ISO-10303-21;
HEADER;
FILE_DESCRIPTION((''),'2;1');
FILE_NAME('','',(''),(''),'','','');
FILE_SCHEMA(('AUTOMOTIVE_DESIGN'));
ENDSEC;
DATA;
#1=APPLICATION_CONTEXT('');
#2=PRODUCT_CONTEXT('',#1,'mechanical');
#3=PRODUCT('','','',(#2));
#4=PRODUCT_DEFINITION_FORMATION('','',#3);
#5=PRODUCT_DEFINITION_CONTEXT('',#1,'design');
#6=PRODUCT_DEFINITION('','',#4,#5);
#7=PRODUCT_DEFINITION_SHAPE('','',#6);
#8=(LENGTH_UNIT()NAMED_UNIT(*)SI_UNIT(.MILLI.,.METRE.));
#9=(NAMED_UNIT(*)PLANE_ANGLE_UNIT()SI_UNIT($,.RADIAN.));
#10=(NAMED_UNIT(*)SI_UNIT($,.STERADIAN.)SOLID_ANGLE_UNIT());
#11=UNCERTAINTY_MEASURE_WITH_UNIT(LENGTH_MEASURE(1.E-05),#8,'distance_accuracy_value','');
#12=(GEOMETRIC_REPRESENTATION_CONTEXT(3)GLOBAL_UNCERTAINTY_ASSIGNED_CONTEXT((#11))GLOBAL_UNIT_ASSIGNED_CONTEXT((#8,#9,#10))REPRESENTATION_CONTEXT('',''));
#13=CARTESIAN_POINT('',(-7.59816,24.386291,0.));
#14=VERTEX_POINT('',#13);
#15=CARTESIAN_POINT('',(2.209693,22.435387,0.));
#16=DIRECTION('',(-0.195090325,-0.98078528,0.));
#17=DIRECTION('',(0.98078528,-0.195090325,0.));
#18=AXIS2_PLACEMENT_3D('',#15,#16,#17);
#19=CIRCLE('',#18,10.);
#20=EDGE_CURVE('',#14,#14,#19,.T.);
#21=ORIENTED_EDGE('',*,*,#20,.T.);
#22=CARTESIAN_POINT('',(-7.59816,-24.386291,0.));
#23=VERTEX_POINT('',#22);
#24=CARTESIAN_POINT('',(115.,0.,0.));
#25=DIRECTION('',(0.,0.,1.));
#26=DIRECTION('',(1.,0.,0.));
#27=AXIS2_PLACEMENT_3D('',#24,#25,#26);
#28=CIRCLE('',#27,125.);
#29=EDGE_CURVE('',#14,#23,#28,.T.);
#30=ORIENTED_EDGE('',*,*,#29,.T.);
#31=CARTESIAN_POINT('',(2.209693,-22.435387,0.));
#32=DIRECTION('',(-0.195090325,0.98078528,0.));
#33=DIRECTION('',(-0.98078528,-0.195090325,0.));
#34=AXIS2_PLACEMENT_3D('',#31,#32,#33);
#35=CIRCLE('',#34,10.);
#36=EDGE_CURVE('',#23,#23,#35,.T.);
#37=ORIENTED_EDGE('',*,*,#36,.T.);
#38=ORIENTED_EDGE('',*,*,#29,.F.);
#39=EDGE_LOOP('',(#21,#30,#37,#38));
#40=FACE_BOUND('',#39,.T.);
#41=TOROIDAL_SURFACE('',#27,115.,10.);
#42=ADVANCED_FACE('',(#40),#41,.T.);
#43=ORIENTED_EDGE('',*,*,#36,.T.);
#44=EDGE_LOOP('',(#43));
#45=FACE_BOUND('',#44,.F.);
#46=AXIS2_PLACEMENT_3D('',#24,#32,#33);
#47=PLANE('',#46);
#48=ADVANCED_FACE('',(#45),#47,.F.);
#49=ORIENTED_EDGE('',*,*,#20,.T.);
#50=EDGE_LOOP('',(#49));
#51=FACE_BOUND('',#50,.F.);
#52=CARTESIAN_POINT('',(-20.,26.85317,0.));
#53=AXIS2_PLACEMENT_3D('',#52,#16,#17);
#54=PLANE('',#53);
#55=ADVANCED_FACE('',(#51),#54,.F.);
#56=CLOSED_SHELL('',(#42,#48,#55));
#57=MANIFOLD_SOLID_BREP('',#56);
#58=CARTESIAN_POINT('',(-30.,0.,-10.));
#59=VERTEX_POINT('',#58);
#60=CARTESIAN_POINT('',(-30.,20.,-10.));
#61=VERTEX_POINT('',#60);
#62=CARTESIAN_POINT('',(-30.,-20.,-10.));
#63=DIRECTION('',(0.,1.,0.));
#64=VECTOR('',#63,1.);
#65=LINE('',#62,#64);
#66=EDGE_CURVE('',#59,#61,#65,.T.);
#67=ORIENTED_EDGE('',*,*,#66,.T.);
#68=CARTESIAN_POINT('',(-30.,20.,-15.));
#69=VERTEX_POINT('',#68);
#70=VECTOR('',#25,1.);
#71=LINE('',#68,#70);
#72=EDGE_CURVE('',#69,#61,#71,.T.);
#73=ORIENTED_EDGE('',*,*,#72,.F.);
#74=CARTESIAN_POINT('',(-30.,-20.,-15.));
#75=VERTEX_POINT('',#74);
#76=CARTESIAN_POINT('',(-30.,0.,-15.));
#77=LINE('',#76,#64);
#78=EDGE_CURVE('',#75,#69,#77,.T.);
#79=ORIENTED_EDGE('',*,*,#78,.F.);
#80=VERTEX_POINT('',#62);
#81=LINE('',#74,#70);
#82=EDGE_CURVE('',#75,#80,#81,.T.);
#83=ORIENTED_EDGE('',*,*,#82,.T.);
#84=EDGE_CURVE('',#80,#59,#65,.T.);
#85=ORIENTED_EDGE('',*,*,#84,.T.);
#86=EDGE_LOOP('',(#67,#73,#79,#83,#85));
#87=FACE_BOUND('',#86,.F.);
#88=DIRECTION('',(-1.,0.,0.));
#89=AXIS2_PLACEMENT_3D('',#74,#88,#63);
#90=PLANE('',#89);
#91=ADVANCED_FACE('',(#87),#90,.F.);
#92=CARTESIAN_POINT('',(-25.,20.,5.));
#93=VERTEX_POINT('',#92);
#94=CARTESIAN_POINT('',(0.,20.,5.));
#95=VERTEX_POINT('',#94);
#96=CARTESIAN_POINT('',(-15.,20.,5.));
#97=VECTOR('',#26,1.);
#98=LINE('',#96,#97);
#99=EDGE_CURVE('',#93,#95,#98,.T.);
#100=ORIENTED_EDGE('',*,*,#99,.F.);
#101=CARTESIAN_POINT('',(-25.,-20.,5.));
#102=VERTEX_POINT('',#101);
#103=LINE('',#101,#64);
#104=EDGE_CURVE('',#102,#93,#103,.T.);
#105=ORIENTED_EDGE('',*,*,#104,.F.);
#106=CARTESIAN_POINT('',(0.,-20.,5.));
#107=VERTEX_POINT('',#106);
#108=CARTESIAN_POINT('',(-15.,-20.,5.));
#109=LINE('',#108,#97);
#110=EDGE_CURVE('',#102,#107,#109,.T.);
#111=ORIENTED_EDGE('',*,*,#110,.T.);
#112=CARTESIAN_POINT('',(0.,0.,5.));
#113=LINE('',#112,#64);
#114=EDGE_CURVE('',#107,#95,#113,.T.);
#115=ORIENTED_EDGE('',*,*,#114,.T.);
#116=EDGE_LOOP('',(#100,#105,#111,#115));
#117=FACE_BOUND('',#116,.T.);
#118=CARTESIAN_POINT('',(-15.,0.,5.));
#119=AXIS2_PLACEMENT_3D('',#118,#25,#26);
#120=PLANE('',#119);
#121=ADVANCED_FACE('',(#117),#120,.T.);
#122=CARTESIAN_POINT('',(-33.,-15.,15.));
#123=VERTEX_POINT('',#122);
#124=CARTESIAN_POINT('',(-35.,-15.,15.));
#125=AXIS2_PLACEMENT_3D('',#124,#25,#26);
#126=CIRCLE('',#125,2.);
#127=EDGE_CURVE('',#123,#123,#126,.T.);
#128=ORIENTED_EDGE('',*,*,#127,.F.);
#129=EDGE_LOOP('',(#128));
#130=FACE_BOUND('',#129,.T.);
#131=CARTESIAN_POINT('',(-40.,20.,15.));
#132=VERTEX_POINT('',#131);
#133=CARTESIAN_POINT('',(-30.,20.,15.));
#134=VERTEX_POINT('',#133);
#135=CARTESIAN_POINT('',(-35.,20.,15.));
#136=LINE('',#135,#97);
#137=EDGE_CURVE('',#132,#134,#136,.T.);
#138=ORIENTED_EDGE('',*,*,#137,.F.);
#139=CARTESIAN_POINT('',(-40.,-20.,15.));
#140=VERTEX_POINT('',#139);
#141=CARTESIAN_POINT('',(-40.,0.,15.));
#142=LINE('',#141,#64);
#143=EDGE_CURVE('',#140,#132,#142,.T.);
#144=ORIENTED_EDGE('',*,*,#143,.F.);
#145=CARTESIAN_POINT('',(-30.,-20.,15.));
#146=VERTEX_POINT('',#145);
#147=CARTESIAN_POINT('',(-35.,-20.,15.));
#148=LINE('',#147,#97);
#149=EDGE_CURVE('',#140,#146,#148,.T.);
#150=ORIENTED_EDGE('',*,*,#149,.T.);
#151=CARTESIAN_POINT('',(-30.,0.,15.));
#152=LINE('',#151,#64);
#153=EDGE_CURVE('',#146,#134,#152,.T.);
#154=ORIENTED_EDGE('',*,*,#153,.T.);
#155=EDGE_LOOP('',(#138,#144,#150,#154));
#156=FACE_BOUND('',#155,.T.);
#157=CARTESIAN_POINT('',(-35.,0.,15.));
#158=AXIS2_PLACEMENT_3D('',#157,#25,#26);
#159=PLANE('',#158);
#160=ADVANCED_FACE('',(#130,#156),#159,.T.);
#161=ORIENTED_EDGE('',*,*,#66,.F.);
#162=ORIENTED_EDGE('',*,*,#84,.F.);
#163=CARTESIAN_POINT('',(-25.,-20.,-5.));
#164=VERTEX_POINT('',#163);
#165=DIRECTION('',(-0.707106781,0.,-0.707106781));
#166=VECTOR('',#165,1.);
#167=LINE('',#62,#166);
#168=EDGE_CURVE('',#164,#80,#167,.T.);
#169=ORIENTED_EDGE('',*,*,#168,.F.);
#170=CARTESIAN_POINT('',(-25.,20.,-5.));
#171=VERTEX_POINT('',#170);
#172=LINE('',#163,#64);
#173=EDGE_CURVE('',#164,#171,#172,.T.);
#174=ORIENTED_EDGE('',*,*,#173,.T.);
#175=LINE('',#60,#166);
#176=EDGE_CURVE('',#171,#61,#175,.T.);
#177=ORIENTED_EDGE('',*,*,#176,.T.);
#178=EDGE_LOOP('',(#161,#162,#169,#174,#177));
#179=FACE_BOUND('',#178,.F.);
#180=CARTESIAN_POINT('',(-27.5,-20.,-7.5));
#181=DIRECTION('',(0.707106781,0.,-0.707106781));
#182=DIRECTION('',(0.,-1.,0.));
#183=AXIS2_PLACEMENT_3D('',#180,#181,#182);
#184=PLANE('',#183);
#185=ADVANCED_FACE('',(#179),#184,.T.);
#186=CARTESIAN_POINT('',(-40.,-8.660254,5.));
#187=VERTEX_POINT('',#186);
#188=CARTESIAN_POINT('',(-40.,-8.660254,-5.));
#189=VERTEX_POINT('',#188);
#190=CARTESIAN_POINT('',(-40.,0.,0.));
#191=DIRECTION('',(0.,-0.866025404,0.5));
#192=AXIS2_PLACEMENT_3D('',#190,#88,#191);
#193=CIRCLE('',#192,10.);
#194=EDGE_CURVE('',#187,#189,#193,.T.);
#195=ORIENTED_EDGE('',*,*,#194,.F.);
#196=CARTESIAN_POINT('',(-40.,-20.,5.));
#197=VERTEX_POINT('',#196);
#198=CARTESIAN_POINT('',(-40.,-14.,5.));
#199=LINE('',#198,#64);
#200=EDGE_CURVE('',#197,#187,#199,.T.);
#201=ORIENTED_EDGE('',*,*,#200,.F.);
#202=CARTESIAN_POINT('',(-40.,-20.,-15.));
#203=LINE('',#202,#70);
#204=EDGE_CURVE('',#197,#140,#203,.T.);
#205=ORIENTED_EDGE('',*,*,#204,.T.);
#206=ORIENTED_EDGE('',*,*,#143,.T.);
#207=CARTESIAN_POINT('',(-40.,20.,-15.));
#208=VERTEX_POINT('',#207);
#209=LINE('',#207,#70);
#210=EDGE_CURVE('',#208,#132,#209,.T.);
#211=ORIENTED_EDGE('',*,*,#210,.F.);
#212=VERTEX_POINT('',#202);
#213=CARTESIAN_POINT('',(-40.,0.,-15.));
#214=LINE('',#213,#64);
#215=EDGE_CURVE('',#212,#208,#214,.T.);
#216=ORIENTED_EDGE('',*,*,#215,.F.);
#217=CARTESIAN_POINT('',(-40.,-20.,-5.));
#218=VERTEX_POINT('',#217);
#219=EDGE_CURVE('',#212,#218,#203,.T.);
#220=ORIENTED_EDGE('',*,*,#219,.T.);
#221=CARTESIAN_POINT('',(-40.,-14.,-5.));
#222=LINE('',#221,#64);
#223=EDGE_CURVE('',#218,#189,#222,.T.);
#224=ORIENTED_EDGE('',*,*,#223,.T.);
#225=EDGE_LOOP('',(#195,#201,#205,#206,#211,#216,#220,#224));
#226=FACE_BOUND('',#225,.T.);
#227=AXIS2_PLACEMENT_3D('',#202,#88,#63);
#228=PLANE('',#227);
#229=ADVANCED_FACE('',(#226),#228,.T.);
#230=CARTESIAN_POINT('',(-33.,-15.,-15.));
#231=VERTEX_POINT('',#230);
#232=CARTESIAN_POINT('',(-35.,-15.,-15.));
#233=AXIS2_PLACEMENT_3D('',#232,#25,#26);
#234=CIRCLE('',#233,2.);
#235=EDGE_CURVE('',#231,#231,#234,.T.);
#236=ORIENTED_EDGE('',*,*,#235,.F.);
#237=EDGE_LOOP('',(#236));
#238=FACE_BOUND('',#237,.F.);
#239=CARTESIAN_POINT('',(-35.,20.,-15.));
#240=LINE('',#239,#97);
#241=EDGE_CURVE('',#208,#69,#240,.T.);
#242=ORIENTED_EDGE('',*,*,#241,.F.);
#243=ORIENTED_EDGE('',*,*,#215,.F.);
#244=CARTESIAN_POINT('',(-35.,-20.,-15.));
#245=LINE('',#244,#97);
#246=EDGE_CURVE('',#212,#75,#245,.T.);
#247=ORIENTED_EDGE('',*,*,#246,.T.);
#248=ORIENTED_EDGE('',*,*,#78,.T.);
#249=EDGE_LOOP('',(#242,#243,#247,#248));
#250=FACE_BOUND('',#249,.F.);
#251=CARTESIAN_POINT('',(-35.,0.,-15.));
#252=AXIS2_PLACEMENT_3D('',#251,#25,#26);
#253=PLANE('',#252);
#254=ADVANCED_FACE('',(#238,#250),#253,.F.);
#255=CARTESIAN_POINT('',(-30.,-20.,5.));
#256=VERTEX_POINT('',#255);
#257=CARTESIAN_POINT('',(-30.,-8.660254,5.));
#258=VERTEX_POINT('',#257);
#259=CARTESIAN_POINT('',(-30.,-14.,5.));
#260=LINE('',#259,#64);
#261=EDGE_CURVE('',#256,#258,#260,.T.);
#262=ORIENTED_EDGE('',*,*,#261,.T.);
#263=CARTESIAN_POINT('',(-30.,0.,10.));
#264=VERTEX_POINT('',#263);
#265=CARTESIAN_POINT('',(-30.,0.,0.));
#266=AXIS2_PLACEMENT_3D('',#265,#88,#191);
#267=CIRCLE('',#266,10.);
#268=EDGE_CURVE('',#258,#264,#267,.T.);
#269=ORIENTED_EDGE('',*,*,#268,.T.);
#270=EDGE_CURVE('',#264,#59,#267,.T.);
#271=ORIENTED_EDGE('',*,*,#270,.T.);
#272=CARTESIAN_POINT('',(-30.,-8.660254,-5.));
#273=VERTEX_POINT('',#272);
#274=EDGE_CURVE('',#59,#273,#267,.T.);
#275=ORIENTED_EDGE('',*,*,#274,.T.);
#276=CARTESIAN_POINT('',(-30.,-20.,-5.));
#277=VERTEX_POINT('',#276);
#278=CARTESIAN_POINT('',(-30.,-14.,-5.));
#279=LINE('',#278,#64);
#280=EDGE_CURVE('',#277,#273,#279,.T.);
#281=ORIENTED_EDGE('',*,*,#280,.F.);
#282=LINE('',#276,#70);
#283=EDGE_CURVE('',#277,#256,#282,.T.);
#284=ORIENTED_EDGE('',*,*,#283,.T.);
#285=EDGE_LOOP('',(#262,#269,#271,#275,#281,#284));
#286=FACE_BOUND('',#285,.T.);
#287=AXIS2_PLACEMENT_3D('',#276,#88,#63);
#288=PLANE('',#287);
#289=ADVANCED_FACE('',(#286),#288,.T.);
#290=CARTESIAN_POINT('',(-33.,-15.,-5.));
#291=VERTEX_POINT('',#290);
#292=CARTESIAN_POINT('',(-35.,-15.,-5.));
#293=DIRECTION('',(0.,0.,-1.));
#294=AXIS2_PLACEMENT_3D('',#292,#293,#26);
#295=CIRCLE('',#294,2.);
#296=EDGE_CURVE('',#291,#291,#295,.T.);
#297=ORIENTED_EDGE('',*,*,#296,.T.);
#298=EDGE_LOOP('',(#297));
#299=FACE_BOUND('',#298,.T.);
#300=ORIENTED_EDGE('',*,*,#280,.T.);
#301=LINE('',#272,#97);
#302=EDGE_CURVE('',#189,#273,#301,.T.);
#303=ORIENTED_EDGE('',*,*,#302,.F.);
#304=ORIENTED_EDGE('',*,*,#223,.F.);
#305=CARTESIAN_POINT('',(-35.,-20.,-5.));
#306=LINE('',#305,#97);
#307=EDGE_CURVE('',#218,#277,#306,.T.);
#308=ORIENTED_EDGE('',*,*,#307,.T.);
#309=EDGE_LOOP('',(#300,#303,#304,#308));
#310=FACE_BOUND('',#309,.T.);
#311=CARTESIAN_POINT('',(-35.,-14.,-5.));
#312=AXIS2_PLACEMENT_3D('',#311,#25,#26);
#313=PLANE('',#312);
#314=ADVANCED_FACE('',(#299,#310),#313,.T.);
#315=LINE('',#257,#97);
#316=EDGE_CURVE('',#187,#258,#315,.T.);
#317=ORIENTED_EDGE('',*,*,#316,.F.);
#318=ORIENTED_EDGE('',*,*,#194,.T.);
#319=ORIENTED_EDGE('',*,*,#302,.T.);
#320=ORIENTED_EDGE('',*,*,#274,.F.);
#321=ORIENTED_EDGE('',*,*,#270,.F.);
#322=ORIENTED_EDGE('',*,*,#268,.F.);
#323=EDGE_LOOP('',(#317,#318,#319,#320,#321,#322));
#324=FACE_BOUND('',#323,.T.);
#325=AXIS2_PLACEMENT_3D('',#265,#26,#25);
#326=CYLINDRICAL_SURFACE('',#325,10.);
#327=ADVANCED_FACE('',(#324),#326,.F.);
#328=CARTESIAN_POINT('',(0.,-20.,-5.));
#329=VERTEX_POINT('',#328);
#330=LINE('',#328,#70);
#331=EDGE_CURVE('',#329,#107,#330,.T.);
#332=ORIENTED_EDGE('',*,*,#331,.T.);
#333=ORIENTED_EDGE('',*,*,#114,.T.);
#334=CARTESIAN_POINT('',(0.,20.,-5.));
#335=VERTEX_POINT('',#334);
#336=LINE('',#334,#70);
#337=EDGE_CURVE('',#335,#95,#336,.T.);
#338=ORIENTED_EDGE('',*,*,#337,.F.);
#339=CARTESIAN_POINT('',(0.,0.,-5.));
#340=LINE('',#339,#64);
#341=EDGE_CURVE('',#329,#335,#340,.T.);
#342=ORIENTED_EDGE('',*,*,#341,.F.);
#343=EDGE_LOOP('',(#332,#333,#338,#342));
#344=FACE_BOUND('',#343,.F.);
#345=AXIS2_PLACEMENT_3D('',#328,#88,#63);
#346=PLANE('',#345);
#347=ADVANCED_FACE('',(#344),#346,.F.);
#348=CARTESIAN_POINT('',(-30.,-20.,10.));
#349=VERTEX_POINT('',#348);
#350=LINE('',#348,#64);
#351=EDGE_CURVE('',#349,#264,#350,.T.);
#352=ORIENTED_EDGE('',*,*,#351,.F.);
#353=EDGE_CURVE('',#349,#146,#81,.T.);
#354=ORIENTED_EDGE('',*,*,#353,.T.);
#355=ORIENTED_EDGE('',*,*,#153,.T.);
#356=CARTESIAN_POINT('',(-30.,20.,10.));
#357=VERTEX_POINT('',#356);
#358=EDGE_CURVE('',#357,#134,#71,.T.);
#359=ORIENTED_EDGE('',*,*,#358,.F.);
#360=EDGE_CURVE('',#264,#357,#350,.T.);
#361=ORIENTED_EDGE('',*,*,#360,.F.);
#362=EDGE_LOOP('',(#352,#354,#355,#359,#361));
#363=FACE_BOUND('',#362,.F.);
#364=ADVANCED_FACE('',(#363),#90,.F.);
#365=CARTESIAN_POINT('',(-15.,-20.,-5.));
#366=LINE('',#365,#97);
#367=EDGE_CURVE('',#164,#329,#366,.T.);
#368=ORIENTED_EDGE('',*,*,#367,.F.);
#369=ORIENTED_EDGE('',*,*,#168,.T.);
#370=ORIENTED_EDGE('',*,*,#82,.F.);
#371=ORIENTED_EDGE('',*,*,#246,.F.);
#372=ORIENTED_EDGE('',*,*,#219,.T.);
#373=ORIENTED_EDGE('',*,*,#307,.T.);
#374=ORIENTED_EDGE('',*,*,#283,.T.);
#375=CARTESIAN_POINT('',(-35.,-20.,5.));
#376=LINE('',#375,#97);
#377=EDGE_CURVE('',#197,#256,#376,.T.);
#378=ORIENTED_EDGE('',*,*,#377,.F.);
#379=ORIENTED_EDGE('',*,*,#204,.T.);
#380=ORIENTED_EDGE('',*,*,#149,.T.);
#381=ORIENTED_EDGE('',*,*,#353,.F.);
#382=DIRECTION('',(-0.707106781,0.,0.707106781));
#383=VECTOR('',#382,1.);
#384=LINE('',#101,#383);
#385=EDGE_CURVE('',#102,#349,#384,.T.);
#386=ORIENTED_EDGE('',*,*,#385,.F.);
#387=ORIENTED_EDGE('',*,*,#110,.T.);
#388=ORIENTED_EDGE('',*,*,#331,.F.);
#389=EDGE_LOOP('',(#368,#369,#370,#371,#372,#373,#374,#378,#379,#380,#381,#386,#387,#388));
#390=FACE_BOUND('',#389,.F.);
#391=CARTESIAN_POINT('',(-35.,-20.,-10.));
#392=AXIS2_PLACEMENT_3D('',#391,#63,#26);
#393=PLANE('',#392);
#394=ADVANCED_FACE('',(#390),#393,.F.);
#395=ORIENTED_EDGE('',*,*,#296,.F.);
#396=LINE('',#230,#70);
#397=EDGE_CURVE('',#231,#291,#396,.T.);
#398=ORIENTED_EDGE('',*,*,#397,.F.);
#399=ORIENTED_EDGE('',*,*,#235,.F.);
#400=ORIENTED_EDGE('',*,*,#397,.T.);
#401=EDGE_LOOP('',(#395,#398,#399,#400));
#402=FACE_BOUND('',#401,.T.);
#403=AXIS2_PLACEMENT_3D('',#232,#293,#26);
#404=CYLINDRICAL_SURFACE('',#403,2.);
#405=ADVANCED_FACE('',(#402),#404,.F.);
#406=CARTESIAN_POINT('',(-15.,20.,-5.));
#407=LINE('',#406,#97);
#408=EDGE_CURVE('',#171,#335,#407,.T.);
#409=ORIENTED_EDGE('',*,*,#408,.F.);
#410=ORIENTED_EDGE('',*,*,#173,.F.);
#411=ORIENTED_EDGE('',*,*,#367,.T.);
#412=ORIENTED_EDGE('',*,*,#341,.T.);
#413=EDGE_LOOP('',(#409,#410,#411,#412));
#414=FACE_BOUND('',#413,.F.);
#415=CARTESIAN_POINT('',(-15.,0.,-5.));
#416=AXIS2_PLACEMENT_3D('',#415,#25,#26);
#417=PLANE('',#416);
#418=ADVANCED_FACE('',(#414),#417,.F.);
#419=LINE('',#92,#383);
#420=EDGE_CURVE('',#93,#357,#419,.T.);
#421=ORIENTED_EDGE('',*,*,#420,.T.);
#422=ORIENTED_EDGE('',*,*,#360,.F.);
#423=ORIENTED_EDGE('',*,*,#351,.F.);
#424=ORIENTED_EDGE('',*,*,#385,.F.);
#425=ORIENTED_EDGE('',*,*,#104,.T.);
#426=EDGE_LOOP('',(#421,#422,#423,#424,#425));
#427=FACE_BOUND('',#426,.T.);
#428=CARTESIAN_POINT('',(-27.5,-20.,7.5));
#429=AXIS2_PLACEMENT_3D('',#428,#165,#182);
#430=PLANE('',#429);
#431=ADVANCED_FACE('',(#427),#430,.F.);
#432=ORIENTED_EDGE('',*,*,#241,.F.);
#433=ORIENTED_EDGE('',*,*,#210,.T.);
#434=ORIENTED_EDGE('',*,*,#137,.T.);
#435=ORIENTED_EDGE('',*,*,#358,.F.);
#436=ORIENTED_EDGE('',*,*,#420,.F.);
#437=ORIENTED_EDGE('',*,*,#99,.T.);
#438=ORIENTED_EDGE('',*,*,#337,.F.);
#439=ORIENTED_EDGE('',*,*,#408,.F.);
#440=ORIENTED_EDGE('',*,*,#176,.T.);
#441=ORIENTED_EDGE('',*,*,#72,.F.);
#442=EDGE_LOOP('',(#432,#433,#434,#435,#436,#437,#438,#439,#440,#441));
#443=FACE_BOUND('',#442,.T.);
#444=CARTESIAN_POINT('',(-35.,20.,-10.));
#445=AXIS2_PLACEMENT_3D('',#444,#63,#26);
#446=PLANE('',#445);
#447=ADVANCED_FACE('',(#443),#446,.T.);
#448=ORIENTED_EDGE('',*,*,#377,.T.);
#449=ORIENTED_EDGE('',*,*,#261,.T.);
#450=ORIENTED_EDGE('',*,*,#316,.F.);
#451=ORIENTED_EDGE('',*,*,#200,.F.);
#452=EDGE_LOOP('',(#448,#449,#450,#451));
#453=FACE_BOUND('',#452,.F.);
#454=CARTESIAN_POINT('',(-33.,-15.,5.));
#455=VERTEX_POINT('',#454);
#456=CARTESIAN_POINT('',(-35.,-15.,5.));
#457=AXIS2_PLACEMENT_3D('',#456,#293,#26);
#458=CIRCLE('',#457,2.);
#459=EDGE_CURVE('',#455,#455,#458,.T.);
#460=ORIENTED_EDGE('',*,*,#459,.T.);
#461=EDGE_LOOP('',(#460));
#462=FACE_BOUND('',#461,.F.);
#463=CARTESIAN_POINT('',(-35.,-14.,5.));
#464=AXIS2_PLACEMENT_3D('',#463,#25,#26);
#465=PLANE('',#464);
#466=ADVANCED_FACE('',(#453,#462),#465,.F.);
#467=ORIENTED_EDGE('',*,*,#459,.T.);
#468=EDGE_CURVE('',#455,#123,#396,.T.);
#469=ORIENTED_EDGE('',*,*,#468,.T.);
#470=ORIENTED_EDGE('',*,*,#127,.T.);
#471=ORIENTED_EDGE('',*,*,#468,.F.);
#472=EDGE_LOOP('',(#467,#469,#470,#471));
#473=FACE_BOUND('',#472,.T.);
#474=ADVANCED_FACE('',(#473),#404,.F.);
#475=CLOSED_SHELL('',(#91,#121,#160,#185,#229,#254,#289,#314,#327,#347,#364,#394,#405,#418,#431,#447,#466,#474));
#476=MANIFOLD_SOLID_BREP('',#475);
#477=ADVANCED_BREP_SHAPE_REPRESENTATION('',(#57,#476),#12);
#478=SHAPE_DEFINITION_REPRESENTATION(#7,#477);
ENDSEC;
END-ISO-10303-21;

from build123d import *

# Parameters (mm, degrees)
PAD_DEPTH            = 15
PAD_DEPTH_BACK       = 15
TORUS_R              = 10
CYLINDER001_R        = 2
CYLINDER001_DEPTH    = 30
BOX002_W             = 10
BOX002_H             = 12
BOX002_DEPTH         = 10
CYLINDER_R           = 10
CYLINDER_DEPTH       = 10
CYLINDER_PITCH_ANGLE = -90
BOX_W                = 10
BOX_H                = 40
BOX_DEPTH            = 30
BOX003_W             = 10
BOX003_H             = 40
BOX003_DEPTH         = 20
CHAMFER_SIZE         = 5
BOX001_W             = 30
BOX001_H             = 40
BOX001_DEPTH         = 10


with BuildPart() as body:
    # Sketch → Pad (new body, two sides)
    with BuildSketch(Plane.XY) as pad_sk:
        Polygon((-20, 26.85317), (115, 0), (-20, -26.85317), align=None)
    extrude(amount=PAD_DEPTH)
    extrude(pad_sk.sketch, amount=-PAD_DEPTH_BACK)


with BuildPart() as rail_common:
    # Torus → Torus (revolve)
    with BuildSketch(Plane(origin=(115, 0, 0), x_dir=(1, 0, 0), z_dir=(0, -1, 0))):
        with Locations((115, 0)):
            Circle(TORUS_R)
    revolve(axis=Axis((115, 0, 0), (0, 0, 1)))

    # Common: intersect Body
    add(body.part, mode=Mode.INTERSECT)


with BuildPart() as cylinder001:
    # Cylinder001 → Cylinder001 (new body)
    with BuildSketch(Plane(origin=(-35, -15, -15), x_dir=(1, 0, 0), z_dir=(0, 0, 1))):
        Circle(CYLINDER001_R)
    extrude(amount=CYLINDER001_DEPTH)


with BuildPart() as cube002:
    # Box002 → Box002 (new body)
    with BuildSketch(Plane(origin=(-40, -20, -5), x_dir=(1, 0, 0), z_dir=(0, 0, 1))):
        with Locations((5, 6)):
            Rectangle(BOX002_W, BOX002_H)
    extrude(amount=BOX002_DEPTH)


with BuildPart() as negative_fusion:
    # Cylinder → Cylinder (new body)
    with BuildSketch(Plane.XY):
        Circle(CYLINDER_R)
    extrude(amount=CYLINDER_DEPTH)


with BuildPart() as negative_fusion_1:
    # Cylinder pitch: moved
    add(negative_fusion.part.rotate(Axis((0, 0, 0), (0, 1, 0)), CYLINDER_PITCH_ANGLE))


with BuildPart() as negative_fusion_2:
    # Cylinder placement: moved
    add(negative_fusion_1.part.moved(Location((-30, 0, 0))))

    # Fusion001: union Cylinder001, Cube002
    add(cylinder001.part)
    add(cube002.part)


with BuildPart() as cube:
    # Box → Box (new body)
    with BuildSketch(Plane(origin=(-40, -20, -15), x_dir=(1, 0, 0), z_dir=(0, 0, 1))):
        with Locations((5, 20)):
            Rectangle(BOX_W, BOX_H)
    extrude(amount=BOX_DEPTH)


with BuildPart() as chamfer_body:
    # Box003 → Box003 (new body)
    with BuildSketch(Plane(origin=(-35, -20, -10), x_dir=(1, 0, 0), z_dir=(0, 0, 1))):
        with Locations((5, 20)):
            Rectangle(BOX003_W, BOX003_H)
    extrude(amount=BOX003_DEPTH)

    # Chamfer
    chamfer_edges = [chamfer_body.edges().sort_by_distance(p)[0] for p in [
        (-25, 0, 10),
        (-25, 0, -10),
    ]]
    chamfer(chamfer_edges, length=CHAMFER_SIZE)


with BuildPart() as cut:
    # Box001 → Box001 (new body)
    with BuildSketch(Plane(origin=(-30, -20, -5), x_dir=(1, 0, 0), z_dir=(0, 0, 1))):
        with Locations((15, 20)):
            Rectangle(BOX001_W, BOX001_H)
    extrude(amount=BOX001_DEPTH)

    # Fusion: union Cube, Chamfer body
    add(cube.part)
    add(chamfer_body.part)

    # Cut: cut Negative Fusion
    add(negative_fusion_2.part, mode=Mode.SUBTRACT)


solid = Compound([rail_common.part, cut.part])
